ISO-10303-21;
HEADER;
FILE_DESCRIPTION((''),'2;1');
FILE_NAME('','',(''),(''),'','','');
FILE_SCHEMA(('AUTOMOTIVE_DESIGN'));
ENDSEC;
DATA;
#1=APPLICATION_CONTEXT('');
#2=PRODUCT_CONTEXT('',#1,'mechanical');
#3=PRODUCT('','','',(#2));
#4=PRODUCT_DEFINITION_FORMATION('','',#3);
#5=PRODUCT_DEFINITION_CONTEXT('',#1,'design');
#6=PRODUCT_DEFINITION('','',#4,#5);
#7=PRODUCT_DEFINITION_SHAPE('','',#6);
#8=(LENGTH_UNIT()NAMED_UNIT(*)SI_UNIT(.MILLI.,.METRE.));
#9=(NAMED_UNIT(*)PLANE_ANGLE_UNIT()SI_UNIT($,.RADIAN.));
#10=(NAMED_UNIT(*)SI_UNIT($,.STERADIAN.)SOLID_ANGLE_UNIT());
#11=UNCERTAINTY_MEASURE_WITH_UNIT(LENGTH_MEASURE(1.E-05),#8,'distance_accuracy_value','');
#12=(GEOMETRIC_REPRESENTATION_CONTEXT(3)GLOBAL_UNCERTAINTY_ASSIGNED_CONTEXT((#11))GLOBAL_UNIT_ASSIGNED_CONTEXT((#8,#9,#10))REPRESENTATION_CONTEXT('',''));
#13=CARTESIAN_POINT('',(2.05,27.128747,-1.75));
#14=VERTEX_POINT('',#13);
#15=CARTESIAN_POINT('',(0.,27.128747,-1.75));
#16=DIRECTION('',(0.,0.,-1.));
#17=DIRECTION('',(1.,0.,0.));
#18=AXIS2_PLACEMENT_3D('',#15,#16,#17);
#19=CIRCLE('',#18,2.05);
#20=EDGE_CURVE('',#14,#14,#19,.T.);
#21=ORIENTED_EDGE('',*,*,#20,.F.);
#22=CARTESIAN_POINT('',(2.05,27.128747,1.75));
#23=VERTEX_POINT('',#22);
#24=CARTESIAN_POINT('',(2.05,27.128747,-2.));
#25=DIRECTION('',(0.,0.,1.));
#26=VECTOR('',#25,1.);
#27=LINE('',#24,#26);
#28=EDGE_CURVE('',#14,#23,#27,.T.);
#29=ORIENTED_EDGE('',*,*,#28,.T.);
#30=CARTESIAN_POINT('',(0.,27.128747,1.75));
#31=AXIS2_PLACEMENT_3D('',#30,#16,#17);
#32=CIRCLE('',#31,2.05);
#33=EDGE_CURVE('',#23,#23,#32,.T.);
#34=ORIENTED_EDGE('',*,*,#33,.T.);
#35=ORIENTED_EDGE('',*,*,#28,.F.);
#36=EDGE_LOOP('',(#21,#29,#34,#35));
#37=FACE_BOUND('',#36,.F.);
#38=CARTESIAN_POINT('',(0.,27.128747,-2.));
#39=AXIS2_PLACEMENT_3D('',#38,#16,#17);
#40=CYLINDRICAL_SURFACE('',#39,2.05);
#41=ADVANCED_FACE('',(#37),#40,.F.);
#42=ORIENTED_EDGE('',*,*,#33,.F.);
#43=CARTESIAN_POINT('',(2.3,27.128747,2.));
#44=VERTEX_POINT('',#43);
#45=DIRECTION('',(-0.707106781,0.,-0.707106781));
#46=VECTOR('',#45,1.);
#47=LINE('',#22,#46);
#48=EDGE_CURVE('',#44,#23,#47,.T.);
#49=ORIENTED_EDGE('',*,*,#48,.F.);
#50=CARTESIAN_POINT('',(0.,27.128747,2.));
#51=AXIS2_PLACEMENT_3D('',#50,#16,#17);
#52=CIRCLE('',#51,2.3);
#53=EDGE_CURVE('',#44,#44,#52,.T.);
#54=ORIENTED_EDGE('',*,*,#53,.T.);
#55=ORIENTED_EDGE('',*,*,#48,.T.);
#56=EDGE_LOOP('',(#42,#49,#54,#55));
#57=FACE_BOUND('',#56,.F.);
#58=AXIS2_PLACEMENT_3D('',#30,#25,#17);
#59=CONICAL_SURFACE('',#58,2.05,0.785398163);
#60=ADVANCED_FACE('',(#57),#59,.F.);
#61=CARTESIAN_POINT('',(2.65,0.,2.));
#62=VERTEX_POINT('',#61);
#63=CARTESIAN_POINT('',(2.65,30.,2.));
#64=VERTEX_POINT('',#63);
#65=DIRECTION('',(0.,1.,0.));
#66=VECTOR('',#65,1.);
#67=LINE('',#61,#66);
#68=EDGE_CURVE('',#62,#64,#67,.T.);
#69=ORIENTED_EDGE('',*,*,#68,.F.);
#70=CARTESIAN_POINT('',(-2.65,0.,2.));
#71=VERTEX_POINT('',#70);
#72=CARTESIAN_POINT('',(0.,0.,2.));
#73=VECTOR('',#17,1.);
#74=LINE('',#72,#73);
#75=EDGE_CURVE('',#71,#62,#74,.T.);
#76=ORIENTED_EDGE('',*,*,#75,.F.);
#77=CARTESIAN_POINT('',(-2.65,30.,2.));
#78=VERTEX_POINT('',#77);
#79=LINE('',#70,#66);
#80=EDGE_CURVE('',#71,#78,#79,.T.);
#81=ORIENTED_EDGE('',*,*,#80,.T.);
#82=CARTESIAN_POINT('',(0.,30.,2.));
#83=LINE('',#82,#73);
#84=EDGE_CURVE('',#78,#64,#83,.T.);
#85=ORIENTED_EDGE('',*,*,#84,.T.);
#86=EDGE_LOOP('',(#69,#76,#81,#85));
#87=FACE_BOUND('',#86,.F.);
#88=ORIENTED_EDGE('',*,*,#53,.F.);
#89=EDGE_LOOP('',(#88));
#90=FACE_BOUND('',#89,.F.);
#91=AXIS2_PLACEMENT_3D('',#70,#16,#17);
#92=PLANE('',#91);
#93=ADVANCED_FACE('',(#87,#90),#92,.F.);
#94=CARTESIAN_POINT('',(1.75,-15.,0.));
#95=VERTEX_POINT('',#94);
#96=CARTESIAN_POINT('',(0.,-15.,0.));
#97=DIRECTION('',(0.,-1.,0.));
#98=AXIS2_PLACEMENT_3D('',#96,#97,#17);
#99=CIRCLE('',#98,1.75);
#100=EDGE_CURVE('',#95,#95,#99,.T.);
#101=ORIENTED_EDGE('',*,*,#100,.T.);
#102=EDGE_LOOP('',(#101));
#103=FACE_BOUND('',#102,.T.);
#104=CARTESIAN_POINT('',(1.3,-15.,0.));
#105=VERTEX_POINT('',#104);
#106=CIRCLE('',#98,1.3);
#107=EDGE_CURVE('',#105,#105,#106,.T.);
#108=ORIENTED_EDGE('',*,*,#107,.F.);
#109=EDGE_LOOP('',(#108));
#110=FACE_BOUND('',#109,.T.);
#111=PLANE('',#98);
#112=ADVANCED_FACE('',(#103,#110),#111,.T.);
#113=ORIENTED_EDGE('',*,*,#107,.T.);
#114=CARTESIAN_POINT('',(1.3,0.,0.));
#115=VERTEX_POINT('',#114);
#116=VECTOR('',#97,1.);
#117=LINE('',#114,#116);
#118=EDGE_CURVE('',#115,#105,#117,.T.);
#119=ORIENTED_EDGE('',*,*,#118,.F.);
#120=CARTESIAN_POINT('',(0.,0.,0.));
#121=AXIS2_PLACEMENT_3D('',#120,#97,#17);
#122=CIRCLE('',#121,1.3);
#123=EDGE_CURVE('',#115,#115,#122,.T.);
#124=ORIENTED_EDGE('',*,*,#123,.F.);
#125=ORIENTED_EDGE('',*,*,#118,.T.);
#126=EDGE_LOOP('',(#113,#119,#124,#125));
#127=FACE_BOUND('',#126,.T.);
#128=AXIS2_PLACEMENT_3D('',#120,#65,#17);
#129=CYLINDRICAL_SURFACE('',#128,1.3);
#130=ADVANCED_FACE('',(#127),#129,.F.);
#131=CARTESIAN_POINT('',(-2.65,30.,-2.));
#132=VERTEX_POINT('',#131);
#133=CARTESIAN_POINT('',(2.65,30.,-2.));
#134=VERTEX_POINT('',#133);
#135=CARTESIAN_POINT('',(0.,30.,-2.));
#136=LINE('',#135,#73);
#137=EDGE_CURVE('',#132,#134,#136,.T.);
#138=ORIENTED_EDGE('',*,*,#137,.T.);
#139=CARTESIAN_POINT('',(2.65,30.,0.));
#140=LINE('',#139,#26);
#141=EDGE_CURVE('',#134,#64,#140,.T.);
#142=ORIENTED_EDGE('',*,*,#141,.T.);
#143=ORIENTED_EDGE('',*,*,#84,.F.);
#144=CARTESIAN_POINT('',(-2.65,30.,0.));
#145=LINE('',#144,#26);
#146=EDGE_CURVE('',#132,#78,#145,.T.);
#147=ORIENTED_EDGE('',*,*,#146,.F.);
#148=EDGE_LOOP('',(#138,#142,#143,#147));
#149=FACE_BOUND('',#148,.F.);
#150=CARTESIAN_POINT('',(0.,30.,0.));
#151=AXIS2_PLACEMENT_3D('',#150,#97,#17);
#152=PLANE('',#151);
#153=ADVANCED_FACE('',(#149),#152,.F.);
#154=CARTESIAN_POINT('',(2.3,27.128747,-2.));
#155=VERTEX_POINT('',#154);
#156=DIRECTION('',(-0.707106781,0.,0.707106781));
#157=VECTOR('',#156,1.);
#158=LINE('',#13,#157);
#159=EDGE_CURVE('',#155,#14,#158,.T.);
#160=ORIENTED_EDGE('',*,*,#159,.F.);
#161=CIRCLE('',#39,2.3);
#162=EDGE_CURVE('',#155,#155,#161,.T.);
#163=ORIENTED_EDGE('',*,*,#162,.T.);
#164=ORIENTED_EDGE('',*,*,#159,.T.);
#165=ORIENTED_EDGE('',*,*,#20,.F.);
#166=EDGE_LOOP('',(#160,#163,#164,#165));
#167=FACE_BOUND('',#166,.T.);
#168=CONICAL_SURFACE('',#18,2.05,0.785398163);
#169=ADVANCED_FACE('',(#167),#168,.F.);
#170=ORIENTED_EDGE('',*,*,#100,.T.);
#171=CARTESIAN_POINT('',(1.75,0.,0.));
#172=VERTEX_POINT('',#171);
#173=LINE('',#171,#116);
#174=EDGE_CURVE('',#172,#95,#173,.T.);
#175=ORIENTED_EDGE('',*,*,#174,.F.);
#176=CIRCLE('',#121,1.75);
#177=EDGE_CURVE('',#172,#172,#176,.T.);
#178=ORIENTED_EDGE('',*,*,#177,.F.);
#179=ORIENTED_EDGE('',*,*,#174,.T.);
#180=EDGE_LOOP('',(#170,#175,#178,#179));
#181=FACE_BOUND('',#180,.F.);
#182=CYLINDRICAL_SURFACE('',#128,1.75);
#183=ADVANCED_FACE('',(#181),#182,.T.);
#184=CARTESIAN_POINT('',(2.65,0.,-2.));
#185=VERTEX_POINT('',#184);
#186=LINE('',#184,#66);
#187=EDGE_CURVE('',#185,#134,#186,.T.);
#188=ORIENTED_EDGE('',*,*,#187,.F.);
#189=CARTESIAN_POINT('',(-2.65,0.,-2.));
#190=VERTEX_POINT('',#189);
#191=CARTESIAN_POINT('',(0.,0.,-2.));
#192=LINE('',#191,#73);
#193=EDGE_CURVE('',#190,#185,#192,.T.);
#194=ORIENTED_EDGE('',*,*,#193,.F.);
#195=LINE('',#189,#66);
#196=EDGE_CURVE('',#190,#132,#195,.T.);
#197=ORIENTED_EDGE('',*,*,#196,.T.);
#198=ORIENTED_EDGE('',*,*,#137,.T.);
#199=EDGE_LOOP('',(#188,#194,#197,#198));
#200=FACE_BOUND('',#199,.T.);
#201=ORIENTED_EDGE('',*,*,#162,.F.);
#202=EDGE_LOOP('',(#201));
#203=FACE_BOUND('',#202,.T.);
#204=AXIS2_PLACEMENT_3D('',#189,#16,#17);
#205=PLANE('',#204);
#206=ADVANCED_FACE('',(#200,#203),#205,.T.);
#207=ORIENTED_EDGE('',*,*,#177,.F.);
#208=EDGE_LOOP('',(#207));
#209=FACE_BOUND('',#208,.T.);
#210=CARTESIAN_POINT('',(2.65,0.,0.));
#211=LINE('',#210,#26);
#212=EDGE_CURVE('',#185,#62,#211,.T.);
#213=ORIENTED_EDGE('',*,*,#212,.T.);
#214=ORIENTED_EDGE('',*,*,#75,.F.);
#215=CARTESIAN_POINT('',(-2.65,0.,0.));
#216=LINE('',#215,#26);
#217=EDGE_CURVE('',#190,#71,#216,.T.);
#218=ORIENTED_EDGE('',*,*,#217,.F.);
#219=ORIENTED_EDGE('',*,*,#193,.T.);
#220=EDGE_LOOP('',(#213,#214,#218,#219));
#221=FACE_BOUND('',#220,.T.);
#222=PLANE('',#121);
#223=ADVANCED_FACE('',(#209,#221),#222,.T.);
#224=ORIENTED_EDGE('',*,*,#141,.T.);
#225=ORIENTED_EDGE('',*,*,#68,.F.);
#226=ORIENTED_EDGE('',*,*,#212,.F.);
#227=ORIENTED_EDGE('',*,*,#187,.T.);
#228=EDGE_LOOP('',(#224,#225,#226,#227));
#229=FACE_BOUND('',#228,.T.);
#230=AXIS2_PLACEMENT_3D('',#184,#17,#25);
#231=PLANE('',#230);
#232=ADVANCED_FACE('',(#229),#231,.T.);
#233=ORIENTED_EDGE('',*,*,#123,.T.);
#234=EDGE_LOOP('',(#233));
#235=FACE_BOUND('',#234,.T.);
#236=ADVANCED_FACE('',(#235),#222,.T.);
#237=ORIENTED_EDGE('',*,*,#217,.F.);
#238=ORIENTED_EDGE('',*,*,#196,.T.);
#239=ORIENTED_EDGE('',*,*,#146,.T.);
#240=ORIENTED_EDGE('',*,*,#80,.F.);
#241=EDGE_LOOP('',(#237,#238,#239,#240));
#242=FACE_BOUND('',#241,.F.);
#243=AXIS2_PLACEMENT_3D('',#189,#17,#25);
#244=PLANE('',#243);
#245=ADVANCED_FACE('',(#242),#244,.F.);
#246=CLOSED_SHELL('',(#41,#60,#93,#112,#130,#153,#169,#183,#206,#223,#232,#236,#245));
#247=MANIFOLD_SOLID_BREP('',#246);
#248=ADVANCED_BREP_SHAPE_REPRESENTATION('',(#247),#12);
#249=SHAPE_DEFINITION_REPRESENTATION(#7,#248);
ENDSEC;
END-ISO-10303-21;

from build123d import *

# Parameters (mm, degrees)
F0_W     = 5.3
F0_H     = 4
F1_DEPTH = 30
F2_R     = 1.75
F2_R_2   = 1.3
F3_DEPTH = 15
F4_R     = 1.3
F5_DEPTH = 25.8
F6_R     = 2.05
F7_DEPTH = 5
F8_SIZE  = 0.25


with BuildPart() as f1:
    # F0 (on Front) → F1 (new body)
    with BuildSketch(Plane.XZ):
        Rectangle(F0_W, F0_H)
    extrude(amount=-F1_DEPTH)

    # F2 (on face) → F3 (join)
    with BuildSketch(Plane.XZ):
        Circle(F2_R)
        Circle(F2_R_2, mode=Mode.SUBTRACT)
    extrude(amount=F3_DEPTH)

    # F4 (on face) → F5 (join)
    with BuildSketch(Plane.XZ):
        Circle(F4_R)
    extrude(amount=-F5_DEPTH)

    # F6 (on face) → F7 (cut)
    with BuildSketch(Plane(origin=(0, 0, -2), x_dir=(1, 0, 0), z_dir=(0, 0, -1))):
        with Locations((0, -27.128747)):
            Circle(F6_R)
    extrude(amount=-F7_DEPTH, mode=Mode.SUBTRACT)

    # F8
    f8_edges = [f1.edges().sort_by_distance(p)[0] for p in [
        (-2.05, 27.128747, -2),
        (-2.05, 27.128747, 2),
    ]]
    chamfer(f8_edges, length=F8_SIZE)


solid = f1.part
